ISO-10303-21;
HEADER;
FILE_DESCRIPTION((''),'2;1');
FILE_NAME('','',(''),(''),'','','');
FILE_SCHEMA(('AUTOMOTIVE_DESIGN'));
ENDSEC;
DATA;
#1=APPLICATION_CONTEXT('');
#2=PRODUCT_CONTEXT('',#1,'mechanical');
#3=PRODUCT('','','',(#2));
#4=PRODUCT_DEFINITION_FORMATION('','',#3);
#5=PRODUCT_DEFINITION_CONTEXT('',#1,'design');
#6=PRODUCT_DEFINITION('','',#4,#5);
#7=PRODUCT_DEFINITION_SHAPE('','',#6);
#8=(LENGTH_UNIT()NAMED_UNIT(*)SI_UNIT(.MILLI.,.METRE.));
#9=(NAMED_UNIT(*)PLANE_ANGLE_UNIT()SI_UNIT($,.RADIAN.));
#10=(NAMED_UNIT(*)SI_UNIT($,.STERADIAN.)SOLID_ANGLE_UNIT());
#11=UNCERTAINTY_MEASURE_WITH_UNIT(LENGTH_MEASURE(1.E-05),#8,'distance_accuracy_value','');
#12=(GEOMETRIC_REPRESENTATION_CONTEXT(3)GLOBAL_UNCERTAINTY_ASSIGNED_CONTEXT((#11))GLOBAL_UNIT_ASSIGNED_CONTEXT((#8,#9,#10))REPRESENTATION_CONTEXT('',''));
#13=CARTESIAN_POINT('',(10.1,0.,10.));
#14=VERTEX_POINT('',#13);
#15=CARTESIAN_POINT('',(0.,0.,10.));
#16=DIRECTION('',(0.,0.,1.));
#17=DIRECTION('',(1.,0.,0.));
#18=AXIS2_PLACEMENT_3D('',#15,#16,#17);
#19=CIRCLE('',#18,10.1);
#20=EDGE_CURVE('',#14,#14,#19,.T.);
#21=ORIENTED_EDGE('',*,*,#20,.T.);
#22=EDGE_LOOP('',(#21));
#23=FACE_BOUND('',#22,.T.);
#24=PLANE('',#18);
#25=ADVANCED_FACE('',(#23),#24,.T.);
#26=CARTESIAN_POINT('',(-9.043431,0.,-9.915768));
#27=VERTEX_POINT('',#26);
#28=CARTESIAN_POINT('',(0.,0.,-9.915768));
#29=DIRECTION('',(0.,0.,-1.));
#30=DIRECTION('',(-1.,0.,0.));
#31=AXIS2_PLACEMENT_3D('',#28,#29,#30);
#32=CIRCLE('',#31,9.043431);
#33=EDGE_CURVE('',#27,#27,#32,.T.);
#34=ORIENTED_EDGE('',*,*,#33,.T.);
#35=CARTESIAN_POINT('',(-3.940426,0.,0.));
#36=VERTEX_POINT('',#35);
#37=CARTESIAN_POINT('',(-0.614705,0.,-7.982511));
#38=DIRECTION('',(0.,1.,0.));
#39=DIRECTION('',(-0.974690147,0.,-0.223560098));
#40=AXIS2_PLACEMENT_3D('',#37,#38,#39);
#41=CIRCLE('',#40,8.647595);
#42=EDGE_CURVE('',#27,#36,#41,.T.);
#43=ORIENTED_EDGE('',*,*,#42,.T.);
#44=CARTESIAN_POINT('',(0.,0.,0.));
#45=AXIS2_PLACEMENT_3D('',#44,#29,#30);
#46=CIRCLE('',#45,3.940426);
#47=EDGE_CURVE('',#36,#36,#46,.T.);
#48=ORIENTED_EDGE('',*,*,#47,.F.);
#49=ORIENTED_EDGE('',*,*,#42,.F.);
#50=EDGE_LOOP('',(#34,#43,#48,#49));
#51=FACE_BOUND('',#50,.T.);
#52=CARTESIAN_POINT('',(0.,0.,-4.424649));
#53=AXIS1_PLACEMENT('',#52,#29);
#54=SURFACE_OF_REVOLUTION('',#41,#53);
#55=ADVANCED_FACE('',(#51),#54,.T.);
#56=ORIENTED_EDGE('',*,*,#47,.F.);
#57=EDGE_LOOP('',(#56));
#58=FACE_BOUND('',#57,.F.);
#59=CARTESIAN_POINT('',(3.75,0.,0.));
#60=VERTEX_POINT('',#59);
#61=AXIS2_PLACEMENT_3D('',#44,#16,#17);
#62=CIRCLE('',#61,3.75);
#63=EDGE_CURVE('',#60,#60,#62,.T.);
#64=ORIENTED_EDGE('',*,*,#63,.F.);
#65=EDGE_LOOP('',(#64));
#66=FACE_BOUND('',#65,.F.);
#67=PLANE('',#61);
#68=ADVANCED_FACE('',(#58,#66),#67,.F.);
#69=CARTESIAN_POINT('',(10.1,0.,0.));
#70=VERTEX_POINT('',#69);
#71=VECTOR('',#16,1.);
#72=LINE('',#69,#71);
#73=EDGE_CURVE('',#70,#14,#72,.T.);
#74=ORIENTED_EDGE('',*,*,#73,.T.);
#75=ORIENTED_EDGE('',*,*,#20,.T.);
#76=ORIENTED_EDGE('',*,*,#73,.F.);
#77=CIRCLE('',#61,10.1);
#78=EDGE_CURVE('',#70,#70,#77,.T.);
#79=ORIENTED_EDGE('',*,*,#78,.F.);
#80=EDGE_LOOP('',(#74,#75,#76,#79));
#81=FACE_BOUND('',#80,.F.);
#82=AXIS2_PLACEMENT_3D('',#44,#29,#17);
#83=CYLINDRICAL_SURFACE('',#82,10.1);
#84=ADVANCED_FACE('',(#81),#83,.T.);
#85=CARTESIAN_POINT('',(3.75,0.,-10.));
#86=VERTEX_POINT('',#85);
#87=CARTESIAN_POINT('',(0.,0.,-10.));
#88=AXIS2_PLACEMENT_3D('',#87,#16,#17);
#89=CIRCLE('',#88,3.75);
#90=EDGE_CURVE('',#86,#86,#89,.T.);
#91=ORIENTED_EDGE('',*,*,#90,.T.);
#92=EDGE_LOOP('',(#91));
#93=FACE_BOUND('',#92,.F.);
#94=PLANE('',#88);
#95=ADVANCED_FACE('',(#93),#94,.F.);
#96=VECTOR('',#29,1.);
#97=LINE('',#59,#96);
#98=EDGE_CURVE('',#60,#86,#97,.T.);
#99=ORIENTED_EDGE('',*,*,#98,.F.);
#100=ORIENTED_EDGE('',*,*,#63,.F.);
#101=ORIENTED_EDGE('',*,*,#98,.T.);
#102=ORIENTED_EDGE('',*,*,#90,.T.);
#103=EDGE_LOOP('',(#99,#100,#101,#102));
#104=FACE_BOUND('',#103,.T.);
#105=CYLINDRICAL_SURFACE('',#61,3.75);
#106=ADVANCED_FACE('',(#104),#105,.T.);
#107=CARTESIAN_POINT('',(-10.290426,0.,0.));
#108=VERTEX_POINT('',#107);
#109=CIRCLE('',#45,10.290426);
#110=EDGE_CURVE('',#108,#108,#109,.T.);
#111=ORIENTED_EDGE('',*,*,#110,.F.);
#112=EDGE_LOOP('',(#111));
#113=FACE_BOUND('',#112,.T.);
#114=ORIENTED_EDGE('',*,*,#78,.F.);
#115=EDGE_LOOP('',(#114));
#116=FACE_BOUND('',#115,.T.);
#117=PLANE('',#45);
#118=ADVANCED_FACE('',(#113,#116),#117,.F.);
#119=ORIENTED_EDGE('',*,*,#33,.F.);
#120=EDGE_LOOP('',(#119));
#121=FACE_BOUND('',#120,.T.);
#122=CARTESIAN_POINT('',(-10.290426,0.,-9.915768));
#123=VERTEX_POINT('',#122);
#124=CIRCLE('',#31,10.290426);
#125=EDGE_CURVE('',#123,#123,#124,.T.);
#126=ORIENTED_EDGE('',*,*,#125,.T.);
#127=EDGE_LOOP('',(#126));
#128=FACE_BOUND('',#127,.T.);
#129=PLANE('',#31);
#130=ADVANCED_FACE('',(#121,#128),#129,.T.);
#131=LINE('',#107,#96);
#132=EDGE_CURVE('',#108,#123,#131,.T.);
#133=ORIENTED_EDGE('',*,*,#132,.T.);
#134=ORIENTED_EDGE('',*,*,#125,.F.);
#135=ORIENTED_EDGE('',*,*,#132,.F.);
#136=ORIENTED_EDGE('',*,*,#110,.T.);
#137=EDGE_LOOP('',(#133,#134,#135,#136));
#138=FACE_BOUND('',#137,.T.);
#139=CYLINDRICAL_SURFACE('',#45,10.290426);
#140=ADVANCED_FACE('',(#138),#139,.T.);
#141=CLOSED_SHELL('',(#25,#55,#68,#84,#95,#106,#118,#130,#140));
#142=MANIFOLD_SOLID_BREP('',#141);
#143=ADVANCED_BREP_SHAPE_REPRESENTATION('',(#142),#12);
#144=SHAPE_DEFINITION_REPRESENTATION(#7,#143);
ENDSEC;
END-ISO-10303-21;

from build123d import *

# Parameters (mm, degrees)
F0_R     = 10.1
F1_DEPTH = 10
F2_R     = 3.75
F3_DEPTH = 10


with BuildPart() as f1:
    # F0 (on Top) → F1 (new body)
    with BuildSketch(Plane.XY):
        Circle(F0_R)
    extrude(amount=F1_DEPTH)

    # F2 (on Top) → F3 (join)
    with BuildSketch(Plane.XY):
        Circle(F2_R)
    extrude(amount=-F3_DEPTH)

    # F4 (on Front) → F5 (revolve)
    with BuildSketch(Plane.XZ):
        with BuildLine():
            Line((-3.9404258132, 0), (-10.2904258132, 0))
            Line((-10.2904258132, 0), (-10.2904258132, -9.9157679855))
            Line((-10.2904258132, -9.9157679855), (-9.0434306607, -9.9157679855))
            ThreePointArc((-9.0434306607, -9.9157679855), (-8.3038120471, -4.0254245121), (-3.9404258132, 0))
        make_face()
    revolve(axis=Axis((0, 0, -4.4246494012), (0, 0, -1)))


solid = f1.part
